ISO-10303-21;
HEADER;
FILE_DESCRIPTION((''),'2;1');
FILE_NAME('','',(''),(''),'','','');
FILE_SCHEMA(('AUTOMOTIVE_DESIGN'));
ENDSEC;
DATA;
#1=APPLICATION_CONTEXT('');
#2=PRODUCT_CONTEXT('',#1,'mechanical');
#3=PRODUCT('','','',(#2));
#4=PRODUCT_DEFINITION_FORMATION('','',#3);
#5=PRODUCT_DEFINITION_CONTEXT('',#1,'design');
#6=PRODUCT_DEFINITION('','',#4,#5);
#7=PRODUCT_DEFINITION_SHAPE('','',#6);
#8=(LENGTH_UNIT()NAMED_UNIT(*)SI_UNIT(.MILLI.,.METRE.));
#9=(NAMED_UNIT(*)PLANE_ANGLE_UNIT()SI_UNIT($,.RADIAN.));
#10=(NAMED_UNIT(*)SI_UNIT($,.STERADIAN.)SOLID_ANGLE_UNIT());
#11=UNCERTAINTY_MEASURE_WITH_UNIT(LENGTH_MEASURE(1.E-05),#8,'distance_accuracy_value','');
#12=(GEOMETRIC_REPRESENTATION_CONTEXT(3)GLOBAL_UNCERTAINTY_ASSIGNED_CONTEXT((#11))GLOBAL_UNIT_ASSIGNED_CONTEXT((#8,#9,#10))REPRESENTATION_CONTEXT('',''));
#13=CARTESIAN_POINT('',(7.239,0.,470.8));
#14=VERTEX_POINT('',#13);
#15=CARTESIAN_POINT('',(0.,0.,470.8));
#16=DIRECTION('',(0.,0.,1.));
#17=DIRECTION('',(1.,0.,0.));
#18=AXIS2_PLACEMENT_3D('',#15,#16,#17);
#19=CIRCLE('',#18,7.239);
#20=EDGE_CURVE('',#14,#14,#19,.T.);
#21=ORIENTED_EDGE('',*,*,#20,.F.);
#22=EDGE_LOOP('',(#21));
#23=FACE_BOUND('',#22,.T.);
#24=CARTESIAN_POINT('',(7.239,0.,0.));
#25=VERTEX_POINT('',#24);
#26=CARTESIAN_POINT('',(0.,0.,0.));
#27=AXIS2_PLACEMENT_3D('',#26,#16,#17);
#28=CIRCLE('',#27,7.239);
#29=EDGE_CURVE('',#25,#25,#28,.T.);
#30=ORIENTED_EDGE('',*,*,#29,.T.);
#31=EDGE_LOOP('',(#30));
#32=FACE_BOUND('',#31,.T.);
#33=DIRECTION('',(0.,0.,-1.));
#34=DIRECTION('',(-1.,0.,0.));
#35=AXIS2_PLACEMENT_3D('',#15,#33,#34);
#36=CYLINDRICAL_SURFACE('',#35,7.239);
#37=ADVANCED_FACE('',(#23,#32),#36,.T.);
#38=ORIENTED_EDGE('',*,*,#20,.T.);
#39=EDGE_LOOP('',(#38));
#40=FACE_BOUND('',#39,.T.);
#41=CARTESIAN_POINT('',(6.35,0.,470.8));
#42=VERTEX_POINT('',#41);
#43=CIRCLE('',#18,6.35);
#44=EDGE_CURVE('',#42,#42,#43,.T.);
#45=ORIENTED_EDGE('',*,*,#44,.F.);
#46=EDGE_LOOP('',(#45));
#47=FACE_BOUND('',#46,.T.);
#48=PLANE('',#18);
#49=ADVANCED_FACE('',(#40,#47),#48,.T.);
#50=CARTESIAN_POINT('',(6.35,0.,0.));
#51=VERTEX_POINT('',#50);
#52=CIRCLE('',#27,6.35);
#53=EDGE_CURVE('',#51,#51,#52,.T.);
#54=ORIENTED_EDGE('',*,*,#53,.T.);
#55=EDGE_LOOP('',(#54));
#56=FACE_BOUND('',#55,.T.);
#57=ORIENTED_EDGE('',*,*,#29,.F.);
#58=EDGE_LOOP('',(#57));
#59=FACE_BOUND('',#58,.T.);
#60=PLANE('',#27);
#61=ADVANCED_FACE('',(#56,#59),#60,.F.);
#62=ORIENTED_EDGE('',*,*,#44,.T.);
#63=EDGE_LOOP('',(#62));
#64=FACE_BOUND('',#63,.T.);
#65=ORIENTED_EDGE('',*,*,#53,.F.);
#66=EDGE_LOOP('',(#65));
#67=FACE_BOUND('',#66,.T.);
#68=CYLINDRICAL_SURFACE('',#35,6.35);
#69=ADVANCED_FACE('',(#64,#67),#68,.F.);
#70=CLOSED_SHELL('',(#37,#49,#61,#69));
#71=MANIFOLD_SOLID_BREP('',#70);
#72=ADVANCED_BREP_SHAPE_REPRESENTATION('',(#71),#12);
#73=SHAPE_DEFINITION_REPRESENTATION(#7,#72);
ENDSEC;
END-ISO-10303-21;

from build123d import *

# Parameters (mm, degrees)
SKETCH1_R           = 7.239
SKETCH1_R_2         = 6.35
BOSS_EXTRUDE1_DEPTH = 470.8


with BuildPart() as part:
    # Sketch1 → Boss-Extrude1 (new body)
    with BuildSketch(Plane.XY):
        Circle(SKETCH1_R)
        Circle(SKETCH1_R_2, mode=Mode.SUBTRACT)
    extrude(amount=BOSS_EXTRUDE1_DEPTH)


solid = part.part
